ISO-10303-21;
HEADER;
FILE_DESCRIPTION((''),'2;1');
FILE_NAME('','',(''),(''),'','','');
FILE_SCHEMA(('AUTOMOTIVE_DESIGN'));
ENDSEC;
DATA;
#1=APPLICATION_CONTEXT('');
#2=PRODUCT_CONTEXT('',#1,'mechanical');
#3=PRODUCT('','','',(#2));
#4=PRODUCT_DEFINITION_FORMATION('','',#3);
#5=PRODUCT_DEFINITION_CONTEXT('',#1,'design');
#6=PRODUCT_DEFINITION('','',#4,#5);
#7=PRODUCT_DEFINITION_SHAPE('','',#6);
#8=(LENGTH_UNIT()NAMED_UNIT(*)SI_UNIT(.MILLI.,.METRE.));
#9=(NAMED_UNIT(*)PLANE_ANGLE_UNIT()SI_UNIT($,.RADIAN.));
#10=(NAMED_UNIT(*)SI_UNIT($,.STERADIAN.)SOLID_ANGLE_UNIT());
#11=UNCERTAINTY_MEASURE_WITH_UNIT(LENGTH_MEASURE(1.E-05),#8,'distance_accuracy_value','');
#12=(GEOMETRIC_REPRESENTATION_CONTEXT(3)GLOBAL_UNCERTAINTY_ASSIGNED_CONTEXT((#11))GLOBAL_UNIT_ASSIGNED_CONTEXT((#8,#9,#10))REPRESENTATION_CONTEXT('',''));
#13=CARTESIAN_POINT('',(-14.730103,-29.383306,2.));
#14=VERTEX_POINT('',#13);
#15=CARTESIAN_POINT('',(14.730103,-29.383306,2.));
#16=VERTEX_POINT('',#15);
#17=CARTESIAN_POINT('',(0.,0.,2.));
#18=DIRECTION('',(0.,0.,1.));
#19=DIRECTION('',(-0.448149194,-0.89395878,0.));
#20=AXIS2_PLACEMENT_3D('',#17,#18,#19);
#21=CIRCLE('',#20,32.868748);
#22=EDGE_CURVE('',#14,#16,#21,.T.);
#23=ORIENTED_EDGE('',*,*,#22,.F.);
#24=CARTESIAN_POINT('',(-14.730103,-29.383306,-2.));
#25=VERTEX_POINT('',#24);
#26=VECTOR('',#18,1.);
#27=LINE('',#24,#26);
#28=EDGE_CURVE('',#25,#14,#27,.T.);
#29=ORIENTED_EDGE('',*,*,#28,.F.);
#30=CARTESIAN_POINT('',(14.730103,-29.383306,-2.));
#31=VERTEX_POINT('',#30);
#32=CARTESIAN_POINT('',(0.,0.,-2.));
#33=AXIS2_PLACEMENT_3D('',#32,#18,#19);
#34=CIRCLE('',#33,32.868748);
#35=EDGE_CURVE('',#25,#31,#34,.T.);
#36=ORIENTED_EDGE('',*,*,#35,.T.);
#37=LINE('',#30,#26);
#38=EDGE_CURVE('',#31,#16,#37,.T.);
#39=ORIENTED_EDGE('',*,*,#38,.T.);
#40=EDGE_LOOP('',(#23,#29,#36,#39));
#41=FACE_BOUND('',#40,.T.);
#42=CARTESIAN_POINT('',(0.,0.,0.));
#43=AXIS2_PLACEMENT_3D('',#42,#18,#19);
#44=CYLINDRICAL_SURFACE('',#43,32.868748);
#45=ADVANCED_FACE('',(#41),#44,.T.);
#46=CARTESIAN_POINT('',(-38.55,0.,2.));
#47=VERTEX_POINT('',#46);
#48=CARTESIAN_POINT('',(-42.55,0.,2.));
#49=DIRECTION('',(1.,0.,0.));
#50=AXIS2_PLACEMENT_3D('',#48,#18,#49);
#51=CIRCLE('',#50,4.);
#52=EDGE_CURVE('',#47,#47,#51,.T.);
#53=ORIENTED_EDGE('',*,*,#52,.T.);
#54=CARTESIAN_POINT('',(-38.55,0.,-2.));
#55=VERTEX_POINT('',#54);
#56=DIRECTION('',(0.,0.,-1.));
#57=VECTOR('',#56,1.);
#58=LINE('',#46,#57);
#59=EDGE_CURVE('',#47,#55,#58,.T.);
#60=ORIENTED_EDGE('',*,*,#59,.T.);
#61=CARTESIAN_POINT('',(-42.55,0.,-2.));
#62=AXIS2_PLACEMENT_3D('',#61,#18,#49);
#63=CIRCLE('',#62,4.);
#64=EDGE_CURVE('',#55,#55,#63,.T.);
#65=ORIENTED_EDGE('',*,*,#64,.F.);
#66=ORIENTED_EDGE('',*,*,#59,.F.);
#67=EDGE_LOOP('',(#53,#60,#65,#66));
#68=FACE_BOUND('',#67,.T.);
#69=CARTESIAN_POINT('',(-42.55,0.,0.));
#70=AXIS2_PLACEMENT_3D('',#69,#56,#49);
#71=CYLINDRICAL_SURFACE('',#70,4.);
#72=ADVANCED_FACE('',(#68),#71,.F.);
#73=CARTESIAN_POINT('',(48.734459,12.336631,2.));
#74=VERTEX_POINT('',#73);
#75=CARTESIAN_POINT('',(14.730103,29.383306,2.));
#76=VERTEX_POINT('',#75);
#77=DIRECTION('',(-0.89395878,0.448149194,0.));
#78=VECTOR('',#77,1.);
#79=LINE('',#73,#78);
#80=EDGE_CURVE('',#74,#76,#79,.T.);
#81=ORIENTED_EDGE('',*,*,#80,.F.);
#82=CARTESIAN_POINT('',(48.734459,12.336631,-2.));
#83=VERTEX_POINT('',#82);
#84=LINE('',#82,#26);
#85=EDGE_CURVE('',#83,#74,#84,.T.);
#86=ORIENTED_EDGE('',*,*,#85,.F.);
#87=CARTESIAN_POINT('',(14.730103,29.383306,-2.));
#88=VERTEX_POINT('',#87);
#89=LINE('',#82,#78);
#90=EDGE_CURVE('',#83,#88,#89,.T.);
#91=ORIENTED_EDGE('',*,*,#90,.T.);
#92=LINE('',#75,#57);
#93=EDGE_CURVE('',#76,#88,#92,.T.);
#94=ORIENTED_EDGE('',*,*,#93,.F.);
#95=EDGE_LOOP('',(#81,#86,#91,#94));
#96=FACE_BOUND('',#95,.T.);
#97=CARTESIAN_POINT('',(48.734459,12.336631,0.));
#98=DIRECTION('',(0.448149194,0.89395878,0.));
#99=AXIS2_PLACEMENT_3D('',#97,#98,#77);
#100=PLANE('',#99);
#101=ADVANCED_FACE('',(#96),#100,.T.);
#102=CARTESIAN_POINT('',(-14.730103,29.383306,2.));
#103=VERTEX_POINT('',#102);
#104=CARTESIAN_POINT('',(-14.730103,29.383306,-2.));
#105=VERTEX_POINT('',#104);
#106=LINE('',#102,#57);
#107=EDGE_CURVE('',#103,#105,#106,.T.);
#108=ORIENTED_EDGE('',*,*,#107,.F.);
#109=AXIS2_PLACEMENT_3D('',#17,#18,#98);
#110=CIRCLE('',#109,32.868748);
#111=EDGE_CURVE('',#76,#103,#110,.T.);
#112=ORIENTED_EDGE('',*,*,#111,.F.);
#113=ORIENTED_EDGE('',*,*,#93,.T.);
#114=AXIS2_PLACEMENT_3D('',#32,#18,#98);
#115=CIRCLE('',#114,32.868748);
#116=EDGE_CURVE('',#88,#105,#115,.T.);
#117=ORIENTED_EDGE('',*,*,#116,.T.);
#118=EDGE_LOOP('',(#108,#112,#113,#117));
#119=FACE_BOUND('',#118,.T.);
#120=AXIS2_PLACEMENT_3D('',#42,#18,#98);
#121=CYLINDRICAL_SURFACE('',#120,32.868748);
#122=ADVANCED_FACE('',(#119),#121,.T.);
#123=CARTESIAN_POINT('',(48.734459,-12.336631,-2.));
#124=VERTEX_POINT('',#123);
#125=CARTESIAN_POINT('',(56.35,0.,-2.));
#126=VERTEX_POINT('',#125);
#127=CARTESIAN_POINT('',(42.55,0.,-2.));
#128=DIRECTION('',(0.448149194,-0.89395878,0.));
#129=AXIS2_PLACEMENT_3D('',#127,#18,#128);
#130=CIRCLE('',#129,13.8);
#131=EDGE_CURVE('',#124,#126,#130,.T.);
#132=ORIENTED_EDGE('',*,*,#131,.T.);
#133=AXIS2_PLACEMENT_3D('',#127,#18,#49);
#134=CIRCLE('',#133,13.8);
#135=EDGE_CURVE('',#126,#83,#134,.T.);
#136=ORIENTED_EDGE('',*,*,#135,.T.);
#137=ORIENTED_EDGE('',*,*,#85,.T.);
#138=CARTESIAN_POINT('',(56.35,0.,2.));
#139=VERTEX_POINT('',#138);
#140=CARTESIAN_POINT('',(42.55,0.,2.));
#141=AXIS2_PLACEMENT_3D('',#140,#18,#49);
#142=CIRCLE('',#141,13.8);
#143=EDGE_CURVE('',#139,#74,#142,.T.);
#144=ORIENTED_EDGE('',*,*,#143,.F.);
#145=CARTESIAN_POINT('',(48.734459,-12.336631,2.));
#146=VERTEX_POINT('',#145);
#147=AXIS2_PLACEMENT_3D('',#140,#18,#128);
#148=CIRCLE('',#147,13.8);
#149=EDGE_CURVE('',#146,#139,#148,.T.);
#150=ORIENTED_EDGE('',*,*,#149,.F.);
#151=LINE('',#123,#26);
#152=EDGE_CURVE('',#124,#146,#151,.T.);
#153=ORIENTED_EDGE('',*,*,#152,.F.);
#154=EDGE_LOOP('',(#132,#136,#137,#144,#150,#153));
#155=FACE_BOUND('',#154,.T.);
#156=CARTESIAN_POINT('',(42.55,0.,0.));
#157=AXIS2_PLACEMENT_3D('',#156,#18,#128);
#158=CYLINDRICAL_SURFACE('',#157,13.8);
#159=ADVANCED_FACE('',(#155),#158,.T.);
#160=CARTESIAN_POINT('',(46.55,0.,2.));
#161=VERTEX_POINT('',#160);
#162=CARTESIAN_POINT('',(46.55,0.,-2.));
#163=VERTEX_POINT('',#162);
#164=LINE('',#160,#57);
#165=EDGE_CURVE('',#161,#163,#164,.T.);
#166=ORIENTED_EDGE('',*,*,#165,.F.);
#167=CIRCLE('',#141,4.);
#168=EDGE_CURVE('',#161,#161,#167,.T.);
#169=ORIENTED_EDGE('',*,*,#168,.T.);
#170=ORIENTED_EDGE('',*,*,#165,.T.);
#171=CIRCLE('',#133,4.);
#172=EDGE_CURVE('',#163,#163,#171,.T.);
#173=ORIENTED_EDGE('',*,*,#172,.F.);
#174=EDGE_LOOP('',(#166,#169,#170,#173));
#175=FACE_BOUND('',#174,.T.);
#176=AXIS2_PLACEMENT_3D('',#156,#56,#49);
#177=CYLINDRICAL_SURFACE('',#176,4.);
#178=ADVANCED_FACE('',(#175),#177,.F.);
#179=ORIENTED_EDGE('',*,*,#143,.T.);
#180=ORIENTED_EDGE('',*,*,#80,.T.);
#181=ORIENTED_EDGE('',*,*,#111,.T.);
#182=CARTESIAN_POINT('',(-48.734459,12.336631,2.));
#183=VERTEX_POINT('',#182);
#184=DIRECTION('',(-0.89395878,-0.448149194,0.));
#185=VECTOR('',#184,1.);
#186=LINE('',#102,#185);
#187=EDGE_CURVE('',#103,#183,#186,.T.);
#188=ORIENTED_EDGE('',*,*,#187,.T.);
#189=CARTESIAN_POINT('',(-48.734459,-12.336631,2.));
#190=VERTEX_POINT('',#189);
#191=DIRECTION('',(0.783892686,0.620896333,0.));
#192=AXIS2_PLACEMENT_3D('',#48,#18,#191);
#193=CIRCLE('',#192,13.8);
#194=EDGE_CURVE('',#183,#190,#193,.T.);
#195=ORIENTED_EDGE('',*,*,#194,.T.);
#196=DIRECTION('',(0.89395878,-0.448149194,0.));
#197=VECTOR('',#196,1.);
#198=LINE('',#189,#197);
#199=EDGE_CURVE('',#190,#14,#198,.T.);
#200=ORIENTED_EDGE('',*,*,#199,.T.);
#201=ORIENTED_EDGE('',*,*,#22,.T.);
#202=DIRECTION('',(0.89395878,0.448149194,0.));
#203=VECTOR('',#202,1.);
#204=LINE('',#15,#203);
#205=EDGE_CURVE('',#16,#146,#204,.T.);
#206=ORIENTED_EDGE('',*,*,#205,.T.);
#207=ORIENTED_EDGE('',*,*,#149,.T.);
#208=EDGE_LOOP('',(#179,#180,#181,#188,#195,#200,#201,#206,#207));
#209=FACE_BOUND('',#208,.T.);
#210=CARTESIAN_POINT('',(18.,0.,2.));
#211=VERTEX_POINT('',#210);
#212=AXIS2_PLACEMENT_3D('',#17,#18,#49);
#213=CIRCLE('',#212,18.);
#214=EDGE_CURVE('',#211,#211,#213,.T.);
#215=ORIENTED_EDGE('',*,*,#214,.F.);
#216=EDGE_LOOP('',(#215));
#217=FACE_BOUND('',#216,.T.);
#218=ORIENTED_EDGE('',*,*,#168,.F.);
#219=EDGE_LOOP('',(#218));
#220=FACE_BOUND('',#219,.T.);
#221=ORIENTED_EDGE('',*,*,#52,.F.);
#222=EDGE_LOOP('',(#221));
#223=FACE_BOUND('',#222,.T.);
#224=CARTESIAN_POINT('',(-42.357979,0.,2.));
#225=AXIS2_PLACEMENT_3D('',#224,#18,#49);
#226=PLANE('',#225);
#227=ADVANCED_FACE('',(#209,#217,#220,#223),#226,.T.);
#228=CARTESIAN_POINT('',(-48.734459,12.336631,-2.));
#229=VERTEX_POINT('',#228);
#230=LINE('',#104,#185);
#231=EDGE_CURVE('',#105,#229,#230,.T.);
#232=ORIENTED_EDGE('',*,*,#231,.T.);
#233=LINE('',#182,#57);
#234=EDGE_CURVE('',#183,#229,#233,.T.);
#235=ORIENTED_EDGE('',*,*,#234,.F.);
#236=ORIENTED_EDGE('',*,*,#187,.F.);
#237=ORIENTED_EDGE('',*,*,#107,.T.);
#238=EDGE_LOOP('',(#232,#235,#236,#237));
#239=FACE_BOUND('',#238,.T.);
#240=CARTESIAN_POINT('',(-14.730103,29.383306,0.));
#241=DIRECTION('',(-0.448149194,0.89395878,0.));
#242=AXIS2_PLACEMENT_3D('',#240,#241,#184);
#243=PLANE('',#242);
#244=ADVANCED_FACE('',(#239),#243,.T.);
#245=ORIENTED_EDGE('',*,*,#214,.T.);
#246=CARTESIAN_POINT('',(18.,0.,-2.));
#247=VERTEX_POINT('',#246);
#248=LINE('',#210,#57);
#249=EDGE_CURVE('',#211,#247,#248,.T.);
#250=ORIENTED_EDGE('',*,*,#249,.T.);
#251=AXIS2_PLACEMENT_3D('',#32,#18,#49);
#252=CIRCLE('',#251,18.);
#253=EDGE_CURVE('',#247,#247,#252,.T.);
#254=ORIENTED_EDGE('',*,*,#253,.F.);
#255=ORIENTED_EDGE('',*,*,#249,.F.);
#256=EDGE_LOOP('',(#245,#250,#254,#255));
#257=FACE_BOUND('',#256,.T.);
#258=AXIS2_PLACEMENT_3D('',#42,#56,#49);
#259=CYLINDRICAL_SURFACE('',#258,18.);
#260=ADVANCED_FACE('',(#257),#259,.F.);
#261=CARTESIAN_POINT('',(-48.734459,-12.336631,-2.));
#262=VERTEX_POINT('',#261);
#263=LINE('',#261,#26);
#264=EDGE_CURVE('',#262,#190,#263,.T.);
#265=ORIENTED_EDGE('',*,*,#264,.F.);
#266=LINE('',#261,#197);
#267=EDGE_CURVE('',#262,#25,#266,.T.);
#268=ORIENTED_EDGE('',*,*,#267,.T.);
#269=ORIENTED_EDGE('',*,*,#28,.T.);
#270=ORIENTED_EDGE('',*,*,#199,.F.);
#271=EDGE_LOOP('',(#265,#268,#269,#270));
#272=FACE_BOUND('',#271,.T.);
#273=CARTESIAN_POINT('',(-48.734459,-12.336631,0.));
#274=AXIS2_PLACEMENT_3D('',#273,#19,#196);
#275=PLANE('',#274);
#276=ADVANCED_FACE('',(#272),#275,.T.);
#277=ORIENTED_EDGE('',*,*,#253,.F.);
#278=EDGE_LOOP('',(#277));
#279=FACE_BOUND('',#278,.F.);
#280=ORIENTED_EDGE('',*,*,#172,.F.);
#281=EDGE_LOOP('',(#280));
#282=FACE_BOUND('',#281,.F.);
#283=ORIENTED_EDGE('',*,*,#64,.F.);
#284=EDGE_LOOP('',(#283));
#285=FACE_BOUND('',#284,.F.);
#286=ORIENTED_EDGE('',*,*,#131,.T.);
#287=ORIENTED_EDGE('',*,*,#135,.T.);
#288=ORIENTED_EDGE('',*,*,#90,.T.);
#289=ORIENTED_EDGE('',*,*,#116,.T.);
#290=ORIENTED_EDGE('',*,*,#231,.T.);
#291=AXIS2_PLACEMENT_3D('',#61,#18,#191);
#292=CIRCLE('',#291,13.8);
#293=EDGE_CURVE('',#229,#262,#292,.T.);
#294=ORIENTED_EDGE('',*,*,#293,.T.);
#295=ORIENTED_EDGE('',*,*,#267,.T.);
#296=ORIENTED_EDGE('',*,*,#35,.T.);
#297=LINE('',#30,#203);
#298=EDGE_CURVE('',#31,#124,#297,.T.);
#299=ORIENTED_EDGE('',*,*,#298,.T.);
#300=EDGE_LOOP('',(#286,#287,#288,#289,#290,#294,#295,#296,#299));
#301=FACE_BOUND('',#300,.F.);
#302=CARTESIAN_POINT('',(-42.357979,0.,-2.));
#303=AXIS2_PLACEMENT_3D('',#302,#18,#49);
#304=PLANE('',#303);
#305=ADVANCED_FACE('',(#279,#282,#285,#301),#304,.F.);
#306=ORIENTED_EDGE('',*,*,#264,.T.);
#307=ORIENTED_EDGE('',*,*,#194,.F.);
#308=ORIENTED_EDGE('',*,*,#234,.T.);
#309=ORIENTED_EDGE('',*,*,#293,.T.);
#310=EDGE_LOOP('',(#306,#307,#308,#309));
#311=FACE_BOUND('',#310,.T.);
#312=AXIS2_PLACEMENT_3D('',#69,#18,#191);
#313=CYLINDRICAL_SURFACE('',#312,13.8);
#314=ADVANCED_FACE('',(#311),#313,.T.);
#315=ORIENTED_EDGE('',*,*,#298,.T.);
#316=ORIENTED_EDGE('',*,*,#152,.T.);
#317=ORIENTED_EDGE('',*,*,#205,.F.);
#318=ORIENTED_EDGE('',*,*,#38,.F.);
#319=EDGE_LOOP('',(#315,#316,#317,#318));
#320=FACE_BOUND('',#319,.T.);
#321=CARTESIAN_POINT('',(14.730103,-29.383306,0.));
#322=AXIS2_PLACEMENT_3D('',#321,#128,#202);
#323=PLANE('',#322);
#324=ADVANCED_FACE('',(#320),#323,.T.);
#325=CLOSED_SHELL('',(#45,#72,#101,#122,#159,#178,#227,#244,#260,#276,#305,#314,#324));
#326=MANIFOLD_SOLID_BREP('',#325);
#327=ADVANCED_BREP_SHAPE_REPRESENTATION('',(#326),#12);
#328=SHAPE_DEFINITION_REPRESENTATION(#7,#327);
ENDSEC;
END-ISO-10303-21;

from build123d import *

# Parameters (mm, degrees)
F0_R     = 4
F0_R_2   = 18
F1_DEPTH = 2


with BuildPart() as f1:
    # F0 (on Top) → F1 (new body, symmetric)
    with BuildSketch(Plane.XY):
        with BuildLine():
            ThreePointArc((-31.732280933, 8.5683694007), (-39.5639115572, 13.473057404), (-48.7344588715, 12.3366311636))
            ThreePointArc((-48.7344588715, 12.3366311636), (-56.35, 0), (-48.7344588715, -12.3366311636))
            ThreePointArc((-48.7344588715, -12.3366311636), (-39.5639115572, -13.473057404), (-31.732280933, -8.5683694007))
            ThreePointArc((-31.732280933, -8.5683694007), (-32.8687481872, 0), (-31.732280933, 8.5683694007))
        make_face()
        with Locations((-42.55, 0)):
            Circle(F0_R, mode=Mode.SUBTRACT)
        with BuildLine():
            ThreePointArc((-28.75, 0), (-29.5168782879, 4.5362692201), (-31.732280933, 8.5683694007))
            ThreePointArc((-31.732280933, 8.5683694007), (-32.8687481872, 0), (-31.732280933, -8.5683694007))
            ThreePointArc((-31.732280933, -8.5683694007), (-29.5168782879, -4.5362692201), (-28.75, 0))
        make_face()
        with BuildLine():
            ThreePointArc((14.7301029944, 29.3833060286), (0, 32.8687481872), (-14.7301029944, 29.3833060286))
            ThreePointArc((-14.7301029944, 29.3833060286), (-25.455916341, 20.7930500561), (-31.732280933, 8.5683694007))
            ThreePointArc((-31.732280933, 8.5683694007), (-29.5168782879, 4.5362692201), (-28.75, 0))
            ThreePointArc((-28.75, 0), (-29.5168782879, -4.5362692201), (-31.732280933, -8.5683694007))
            ThreePointArc((-31.732280933, -8.5683694007), (-25.455916341, -20.7930500561), (-14.7301029944, -29.3833060286))
            ThreePointArc((-14.7301029944, -29.3833060286), (0, -32.8687481872), (14.7301029944, -29.3833060286))
            ThreePointArc((14.7301029944, -29.3833060286), (25.455916341, -20.7930500561), (31.732280933, -8.5683694007))
            ThreePointArc((31.732280933, -8.5683694007), (28.75, 0), (31.732280933, 8.5683694007))
            ThreePointArc((31.732280933, 8.5683694007), (25.455916341, 20.7930500561), (14.7301029944, 29.3833060286))
        make_face()
        Circle(F0_R_2, mode=Mode.SUBTRACT)
        with BuildLine():
            Line((-14.7301029944, 29.3833060286), (-48.7344588715, 12.3366311636))
            ThreePointArc((-48.7344588715, 12.3366311636), (-39.5639115572, 13.473057404), (-31.732280933, 8.5683694007))
            ThreePointArc((-31.732280933, 8.5683694007), (-25.455916341, 20.7930500561), (-14.7301029944, 29.3833060286))
        make_face()
        with BuildLine():
            ThreePointArc((-31.732280933, -8.5683694007), (-39.5639115572, -13.473057404), (-48.7344588715, -12.3366311636))
            Line((-48.7344588715, -12.3366311636), (-14.7301029944, -29.3833060286))
            ThreePointArc((-14.7301029944, -29.3833060286), (-25.455916341, -20.7930500561), (-31.732280933, -8.5683694007))
        make_face()
        with BuildLine():
            ThreePointArc((32.8687481872, 0), (32.5833926931, 4.3217042936), (31.732280933, 8.5683694007))
            ThreePointArc((31.732280933, 8.5683694007), (28.75, 0), (31.732280933, -8.5683694007))
            ThreePointArc((31.732280933, -8.5683694007), (32.5833926931, -4.3217042936), (32.8687481872, 0))
        make_face()
        with BuildLine():
            ThreePointArc((31.732280933, -8.5683694007), (25.455916341, -20.7930500561), (14.7301029944, -29.3833060286))
            Line((14.7301029944, -29.3833060286), (48.7344588715, -12.3366311636))
            ThreePointArc((48.7344588715, -12.3366311636), (39.5639115572, -13.473057404), (31.732280933, -8.5683694007))
        make_face()
        with BuildLine():
            ThreePointArc((48.7344588715, 12.3366311636), (39.5639115572, 13.473057404), (31.732280933, 8.5683694007))
            ThreePointArc((31.732280933, 8.5683694007), (32.5833926931, 4.3217042936), (32.8687481872, 0))
            ThreePointArc((32.8687481872, 0), (32.5833926931, -4.3217042936), (31.732280933, -8.5683694007))
            ThreePointArc((31.732280933, -8.5683694007), (39.5639115572, -13.473057404), (48.7344588715, -12.3366311636))
            ThreePointArc((48.7344588715, -12.3366311636), (54.2927750644, -7.2489470812), (56.35, 0))
            ThreePointArc((56.35, 0), (54.2927750644, 7.2489470812), (48.7344588715, 12.3366311636))
        make_face()
        with Locations((42.55, 0)):
            Circle(F0_R, mode=Mode.SUBTRACT)
        with BuildLine():
            Line((48.7344588715, 12.3366311636), (14.7301029944, 29.3833060286))
            ThreePointArc((14.7301029944, 29.3833060286), (25.455916341, 20.7930500561), (31.732280933, 8.5683694007))
            ThreePointArc((31.732280933, 8.5683694007), (39.5639115572, 13.473057404), (48.7344588715, 12.3366311636))
        make_face()
    extrude(amount=F1_DEPTH, both=True)


solid = f1.part
